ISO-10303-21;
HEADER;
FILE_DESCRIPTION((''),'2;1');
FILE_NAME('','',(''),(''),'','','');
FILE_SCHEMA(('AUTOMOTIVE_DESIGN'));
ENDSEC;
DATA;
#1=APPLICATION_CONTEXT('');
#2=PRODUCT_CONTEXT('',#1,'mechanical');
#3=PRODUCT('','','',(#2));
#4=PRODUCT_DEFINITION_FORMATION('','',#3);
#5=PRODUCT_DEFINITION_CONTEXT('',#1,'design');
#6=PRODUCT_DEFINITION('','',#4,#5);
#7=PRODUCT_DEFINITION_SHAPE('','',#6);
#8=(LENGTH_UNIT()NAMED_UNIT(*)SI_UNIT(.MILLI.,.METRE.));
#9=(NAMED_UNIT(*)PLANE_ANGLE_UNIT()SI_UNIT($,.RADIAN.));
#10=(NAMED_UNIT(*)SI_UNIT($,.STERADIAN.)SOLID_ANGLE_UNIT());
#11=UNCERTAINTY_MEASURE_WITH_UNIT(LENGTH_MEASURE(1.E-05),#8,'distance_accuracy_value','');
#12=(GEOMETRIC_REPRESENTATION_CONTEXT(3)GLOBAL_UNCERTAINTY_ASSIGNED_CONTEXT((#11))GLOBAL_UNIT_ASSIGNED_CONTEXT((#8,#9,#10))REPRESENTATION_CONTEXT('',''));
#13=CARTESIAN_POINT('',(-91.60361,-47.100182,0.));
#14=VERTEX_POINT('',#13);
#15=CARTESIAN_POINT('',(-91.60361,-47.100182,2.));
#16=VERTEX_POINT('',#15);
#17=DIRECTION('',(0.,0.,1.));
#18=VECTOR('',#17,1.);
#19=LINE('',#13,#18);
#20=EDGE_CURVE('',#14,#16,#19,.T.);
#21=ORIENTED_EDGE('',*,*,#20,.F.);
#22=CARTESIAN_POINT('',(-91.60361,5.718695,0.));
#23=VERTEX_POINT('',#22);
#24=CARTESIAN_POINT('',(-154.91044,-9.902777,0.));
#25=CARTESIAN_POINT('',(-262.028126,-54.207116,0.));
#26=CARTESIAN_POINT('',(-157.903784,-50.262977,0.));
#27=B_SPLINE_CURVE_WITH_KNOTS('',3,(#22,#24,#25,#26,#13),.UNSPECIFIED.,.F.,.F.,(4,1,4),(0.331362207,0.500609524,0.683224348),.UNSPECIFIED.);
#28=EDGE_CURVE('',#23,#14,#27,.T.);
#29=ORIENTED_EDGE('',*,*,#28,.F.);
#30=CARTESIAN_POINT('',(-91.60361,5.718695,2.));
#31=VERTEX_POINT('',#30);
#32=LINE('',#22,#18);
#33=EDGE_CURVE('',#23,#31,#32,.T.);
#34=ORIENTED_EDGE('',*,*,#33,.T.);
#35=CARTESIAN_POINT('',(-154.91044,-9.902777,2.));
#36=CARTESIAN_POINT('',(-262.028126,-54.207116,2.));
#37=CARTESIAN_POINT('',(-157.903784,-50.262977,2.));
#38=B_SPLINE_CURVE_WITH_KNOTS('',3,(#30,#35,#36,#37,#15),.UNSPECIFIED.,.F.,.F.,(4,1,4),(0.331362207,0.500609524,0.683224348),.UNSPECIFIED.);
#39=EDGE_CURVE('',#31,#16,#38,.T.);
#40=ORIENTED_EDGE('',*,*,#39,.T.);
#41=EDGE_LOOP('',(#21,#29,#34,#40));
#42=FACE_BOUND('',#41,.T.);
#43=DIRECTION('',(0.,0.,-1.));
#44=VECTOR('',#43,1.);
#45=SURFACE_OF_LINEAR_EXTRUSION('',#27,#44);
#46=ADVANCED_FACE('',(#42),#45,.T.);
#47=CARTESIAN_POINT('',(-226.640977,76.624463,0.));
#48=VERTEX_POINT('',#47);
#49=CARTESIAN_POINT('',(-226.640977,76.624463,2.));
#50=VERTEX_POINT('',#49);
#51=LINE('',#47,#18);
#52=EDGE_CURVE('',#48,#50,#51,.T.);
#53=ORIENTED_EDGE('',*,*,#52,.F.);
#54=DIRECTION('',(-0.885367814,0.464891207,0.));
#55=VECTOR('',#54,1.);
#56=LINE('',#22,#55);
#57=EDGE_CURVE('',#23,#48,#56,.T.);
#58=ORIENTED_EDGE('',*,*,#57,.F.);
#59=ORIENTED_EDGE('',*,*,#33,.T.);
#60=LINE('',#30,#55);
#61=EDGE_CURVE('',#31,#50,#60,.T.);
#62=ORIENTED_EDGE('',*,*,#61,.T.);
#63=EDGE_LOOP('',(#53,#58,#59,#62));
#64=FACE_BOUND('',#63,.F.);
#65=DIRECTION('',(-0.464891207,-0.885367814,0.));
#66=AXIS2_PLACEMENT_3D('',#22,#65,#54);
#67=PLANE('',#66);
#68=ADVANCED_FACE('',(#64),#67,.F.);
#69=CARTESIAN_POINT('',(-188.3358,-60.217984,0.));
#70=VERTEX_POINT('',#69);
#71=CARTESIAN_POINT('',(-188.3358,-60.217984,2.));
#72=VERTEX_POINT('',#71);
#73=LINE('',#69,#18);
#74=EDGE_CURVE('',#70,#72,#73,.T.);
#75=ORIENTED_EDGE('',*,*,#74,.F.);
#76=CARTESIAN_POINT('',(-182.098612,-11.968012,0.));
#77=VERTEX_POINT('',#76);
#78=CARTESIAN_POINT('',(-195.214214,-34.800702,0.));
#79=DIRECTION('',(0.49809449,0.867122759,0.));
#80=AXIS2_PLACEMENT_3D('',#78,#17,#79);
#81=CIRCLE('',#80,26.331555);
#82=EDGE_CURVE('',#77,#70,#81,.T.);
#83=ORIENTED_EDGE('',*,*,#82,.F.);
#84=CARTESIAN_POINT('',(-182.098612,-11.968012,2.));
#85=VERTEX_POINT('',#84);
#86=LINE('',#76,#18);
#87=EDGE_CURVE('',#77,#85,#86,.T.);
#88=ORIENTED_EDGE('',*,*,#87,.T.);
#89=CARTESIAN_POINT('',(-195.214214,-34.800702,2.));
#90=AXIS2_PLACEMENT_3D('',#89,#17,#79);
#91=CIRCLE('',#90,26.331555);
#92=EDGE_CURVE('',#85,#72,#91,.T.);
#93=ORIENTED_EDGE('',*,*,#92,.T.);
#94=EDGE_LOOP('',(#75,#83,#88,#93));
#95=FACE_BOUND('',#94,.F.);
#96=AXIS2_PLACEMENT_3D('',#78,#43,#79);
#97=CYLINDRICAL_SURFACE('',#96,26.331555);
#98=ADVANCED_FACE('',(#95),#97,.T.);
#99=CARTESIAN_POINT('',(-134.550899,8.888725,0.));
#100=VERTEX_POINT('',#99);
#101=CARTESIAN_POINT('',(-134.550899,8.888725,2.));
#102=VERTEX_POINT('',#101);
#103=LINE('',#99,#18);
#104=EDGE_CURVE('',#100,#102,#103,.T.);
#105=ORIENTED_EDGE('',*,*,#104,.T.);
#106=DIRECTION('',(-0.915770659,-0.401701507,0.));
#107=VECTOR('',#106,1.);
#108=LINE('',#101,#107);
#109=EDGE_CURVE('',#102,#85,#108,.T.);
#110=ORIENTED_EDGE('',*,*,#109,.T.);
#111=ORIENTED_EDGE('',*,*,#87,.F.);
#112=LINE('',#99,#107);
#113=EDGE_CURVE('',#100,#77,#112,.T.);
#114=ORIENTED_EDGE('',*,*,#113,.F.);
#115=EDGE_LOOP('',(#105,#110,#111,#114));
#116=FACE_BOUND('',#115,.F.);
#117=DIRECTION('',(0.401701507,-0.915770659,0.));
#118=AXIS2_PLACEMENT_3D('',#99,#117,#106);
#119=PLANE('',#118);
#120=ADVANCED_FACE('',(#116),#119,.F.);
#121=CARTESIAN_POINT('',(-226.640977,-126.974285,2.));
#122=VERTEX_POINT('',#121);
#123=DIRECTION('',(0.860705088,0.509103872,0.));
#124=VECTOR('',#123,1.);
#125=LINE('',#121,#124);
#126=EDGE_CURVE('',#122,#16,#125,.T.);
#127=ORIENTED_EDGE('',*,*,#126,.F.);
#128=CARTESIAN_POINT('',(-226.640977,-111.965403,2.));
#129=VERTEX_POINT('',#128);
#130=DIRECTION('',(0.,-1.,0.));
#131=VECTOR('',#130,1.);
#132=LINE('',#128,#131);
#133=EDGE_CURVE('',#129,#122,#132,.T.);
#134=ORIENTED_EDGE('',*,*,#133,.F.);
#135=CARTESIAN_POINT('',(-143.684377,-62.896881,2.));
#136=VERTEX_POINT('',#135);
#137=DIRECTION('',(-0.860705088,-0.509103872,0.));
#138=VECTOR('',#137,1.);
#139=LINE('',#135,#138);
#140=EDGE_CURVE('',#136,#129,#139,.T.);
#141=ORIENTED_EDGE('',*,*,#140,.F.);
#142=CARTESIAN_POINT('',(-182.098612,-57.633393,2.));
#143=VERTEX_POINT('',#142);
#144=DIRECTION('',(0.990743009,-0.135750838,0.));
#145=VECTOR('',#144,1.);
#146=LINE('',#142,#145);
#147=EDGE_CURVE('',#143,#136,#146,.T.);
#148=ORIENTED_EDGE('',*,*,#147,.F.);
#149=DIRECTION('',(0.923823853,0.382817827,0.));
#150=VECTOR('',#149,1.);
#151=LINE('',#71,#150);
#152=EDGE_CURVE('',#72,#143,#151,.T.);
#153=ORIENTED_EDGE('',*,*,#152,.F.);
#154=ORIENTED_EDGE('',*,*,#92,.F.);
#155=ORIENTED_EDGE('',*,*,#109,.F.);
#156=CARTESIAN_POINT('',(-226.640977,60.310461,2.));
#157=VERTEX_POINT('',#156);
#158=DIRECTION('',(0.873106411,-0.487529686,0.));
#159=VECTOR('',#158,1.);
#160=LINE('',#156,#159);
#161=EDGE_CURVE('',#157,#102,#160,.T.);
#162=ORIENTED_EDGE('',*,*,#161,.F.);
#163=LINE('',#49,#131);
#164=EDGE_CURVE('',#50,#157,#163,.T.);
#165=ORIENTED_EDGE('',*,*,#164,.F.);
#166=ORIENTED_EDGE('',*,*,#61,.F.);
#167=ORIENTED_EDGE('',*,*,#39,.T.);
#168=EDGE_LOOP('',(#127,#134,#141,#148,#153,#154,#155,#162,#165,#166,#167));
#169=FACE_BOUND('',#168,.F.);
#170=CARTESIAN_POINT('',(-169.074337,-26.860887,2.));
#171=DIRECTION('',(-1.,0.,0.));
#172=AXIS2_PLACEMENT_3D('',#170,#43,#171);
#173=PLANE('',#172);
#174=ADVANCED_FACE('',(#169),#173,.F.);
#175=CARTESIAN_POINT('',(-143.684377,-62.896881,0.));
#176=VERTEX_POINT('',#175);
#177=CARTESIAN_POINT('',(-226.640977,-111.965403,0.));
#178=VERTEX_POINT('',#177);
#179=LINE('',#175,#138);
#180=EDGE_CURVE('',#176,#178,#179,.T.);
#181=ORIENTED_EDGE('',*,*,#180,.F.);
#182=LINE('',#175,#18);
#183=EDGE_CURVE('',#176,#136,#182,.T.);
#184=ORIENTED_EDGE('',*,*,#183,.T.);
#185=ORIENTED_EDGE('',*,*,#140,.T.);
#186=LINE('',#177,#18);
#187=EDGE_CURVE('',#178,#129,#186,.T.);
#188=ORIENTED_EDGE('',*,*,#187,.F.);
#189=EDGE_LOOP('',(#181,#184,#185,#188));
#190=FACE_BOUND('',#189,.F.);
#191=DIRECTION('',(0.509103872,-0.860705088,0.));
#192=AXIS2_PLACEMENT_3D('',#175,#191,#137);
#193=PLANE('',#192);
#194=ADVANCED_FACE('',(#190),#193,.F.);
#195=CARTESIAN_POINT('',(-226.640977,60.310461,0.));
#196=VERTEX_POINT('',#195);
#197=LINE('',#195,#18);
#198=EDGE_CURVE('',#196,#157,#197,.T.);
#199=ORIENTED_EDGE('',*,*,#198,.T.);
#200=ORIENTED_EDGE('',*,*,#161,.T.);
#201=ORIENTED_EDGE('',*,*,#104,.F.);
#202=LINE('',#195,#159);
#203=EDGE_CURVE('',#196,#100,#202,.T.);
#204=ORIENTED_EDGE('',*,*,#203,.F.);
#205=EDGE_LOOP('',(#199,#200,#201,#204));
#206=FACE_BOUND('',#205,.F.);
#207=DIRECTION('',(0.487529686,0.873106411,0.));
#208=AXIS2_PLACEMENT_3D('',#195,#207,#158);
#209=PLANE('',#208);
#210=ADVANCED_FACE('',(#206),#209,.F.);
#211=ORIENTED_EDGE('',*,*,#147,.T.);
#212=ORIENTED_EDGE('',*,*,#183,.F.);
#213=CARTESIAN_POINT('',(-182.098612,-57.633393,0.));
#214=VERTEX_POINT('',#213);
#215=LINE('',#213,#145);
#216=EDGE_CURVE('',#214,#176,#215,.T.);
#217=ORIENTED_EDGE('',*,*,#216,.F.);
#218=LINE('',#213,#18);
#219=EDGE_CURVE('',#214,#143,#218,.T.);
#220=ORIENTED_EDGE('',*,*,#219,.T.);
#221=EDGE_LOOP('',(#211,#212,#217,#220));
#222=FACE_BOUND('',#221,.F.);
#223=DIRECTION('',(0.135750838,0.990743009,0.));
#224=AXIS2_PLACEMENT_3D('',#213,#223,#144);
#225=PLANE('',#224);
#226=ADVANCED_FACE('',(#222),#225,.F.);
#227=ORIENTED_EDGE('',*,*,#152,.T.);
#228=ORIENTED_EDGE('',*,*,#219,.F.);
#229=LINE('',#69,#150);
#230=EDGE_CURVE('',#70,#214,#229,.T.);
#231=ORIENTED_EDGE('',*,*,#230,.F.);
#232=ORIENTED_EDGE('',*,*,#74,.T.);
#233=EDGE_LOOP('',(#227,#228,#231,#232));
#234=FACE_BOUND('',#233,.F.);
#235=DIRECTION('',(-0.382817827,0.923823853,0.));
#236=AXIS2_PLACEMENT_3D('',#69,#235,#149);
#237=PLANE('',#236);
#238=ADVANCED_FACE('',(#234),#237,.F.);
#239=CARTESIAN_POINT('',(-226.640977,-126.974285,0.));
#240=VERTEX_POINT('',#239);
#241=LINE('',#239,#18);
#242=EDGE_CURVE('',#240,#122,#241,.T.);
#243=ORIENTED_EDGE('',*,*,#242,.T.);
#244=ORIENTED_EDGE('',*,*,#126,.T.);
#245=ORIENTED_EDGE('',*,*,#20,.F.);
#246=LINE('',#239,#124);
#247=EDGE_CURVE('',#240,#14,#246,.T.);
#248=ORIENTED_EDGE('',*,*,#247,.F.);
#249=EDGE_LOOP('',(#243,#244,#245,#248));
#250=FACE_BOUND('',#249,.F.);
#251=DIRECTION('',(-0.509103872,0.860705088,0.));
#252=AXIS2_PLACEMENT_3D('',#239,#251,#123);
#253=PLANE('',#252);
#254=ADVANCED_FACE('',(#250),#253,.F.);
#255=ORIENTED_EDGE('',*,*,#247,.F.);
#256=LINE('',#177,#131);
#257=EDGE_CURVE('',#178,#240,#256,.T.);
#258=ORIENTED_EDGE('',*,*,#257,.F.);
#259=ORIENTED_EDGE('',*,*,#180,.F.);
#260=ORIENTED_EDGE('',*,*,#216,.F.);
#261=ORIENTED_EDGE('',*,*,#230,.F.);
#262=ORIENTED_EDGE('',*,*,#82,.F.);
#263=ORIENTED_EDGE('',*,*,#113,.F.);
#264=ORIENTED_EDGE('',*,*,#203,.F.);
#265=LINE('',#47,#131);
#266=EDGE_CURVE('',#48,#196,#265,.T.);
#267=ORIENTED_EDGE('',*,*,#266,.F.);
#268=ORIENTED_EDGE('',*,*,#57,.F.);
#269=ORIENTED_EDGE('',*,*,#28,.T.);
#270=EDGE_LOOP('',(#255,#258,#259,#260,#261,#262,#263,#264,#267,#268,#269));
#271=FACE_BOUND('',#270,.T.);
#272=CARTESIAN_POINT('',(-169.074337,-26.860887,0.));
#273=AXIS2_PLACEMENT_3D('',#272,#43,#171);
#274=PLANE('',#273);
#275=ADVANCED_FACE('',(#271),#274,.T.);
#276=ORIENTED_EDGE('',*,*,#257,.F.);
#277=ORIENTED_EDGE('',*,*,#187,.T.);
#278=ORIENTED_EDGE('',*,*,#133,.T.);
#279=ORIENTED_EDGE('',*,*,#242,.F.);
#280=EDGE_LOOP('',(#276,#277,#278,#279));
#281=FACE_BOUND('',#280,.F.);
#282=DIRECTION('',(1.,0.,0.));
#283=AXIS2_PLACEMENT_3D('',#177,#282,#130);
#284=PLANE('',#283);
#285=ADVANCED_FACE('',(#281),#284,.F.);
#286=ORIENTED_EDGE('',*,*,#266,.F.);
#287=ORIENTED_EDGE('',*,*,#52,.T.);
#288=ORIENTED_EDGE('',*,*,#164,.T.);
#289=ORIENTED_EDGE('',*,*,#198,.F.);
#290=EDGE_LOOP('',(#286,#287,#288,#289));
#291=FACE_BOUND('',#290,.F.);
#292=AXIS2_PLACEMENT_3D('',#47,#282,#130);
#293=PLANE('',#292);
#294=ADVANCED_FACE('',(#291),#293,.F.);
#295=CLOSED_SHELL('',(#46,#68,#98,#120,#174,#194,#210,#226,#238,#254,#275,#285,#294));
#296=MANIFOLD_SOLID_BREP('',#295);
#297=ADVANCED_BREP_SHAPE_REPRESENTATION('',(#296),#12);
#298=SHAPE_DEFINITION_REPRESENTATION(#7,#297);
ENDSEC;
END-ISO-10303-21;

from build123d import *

# Parameters (mm, degrees)
F1_DEPTH = 2


with BuildPart() as f1:
    # F0 (on Top) → F1 (new body)
    with BuildSketch(Plane.XY):
        with BuildLine():
            add(Edge.make_bspline(
                [(-91.6036099134, 5.71869458), (-154.910440363, -9.9027774504), (-262.0281262764, -54.2071160334), (-157.9037835768, -50.2629770203), (-91.6036099134, -47.1001818306)],
                knots=[0.3313622072, 0.3313622072, 0.3313622072, 0.3313622072, 0.5006095241, 0.683224348, 0.683224348, 0.683224348, 0.683224348], degree=3))
            Line((-91.6036099134, 5.71869458), (-226.6409774689, 76.6244625735))
            Line((-226.6409774689, 76.6244625735), (-226.6409774689, 60.3104606271))
            Line((-226.6409774689, 60.3104606271), (-134.5508992672, 8.8887251914))
            Line((-134.5508992672, 8.8887251914), (-182.0986121893, -11.9680119678))
            ThreePointArc((-182.0986121893, -11.9680119678), (-221.3284847236, -31.4249569037), (-188.3358003152, -60.2179835043))
            Line((-188.3358003152, -60.2179835043), (-182.0986121893, -57.6333925128))
            Line((-182.0986121893, -57.6333925128), (-143.684377288, -62.8968811712))
            Line((-143.684377288, -62.8968811712), (-226.6409774689, -111.9654029608))
            Line((-226.6409774689, -111.9654029608), (-226.6409774689, -126.9742846489))
            Line((-226.6409774689, -126.9742846489), (-91.6036099134, -47.1001818306))
        make_face()
    extrude(amount=F1_DEPTH)


solid = f1.part
